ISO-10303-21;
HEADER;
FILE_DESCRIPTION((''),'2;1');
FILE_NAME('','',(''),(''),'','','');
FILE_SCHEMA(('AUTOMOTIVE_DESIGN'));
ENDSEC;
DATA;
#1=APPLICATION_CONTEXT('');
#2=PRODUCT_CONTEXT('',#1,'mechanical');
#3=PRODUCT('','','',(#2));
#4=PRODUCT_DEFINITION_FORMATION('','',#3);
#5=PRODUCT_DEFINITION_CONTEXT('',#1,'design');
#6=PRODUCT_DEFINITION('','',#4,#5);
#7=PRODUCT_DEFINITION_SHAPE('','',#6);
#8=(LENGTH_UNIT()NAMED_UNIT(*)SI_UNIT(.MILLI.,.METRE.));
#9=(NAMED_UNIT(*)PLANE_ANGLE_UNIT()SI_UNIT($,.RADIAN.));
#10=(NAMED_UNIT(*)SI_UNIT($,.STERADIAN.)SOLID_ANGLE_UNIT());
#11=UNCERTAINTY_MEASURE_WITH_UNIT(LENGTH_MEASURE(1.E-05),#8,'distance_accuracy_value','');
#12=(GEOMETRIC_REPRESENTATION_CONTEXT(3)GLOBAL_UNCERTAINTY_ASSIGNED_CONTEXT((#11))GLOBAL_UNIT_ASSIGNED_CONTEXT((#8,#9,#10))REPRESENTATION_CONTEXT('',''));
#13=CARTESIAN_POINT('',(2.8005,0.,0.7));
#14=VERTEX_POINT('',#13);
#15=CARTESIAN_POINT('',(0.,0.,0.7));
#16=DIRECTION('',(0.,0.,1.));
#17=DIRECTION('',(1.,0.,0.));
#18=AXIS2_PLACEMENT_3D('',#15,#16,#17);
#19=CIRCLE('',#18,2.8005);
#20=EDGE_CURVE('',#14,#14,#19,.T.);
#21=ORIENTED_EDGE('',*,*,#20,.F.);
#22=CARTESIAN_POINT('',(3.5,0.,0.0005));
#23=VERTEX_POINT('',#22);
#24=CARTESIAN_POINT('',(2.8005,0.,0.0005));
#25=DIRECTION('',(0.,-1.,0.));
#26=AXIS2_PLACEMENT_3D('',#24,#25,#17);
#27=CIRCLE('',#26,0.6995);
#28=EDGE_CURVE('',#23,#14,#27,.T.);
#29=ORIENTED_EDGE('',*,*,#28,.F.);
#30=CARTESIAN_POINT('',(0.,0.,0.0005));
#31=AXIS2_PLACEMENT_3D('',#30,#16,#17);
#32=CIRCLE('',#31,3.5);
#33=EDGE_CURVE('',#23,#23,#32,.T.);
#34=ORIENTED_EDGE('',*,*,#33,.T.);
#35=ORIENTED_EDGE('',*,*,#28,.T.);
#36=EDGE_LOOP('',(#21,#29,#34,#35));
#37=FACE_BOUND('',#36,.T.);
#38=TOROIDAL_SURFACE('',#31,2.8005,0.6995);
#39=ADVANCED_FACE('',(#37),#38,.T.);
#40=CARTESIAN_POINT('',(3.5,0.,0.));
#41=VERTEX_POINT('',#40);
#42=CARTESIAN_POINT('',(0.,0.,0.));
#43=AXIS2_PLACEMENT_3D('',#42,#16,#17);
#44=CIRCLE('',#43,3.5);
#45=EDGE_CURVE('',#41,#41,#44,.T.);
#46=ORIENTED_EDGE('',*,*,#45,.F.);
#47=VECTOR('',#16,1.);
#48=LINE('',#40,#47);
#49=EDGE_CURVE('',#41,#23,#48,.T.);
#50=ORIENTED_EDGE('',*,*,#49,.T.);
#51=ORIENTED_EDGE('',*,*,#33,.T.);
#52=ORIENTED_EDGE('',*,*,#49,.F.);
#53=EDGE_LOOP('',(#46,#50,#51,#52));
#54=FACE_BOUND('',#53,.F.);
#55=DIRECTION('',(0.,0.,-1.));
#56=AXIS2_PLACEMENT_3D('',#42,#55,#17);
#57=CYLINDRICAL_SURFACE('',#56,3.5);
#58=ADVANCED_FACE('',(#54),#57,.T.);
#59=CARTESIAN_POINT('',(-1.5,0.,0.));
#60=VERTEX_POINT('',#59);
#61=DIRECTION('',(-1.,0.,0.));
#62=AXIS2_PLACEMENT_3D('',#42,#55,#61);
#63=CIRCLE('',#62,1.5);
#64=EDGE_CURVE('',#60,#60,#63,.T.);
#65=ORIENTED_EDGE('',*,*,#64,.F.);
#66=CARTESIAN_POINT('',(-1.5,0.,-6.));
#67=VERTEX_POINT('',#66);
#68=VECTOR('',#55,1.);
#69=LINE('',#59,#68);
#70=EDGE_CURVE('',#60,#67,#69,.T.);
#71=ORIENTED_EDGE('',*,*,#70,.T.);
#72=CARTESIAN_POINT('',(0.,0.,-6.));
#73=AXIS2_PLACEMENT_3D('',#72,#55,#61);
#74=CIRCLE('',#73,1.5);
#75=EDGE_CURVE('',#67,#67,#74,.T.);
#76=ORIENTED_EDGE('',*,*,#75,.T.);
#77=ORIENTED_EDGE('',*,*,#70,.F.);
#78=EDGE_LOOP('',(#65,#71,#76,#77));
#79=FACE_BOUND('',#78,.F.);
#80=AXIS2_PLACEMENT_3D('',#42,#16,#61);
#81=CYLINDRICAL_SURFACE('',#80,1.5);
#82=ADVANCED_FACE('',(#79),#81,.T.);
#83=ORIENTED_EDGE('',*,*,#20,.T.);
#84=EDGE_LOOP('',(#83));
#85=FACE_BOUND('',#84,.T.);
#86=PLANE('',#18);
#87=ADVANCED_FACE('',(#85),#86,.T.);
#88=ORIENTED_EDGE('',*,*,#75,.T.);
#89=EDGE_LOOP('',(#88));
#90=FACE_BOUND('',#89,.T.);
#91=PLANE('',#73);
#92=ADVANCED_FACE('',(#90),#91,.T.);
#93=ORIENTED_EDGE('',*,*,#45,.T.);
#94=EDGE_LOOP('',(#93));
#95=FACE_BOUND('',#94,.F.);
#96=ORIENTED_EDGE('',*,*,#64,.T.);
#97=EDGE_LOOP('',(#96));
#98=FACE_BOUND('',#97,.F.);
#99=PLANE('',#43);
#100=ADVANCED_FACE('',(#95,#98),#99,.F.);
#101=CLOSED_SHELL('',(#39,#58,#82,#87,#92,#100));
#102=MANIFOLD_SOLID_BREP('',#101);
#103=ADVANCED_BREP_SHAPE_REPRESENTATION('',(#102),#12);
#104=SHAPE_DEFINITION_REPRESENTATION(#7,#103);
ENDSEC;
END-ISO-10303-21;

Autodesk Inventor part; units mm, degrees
ref_plane "YZ Plane" through (0, 0, 0) normal (1, 0, 0) x (0, 1, 0)
ref_plane "XZ Plane" through (0, 0, 0) normal (0, 1, 0) x (-1, 0, 0)
ref_plane "XY Plane" through (0, 0, 0) normal (0, 0, 1) x (1, 0, 0)
sketch "スケッチ1" plane through (0, 0, 0) normal (0, 0, 1) x (1, 0, 0)
  circle A0 centre (0, 0) radius 3.5
  dimension "d0" = 7
extrude "押し出し1" add sketch "スケッチ1" along normal blind 0.7
sketch "スケッチ2" plane through (0, 0, 0) normal (0, 0, -1) x (-1, 0, 0)
  circle A0 centre (0, 0) radius 1.5
  dimension "d3" = 3
extrude "押し出し2" add sketch "スケッチ2" along normal blind 6
thread "ねじ1" size "M3x0.5" class "6g" standard "ANSI Metric M Profile" full length
fillet "フィレット1" radius 0.7 1 edges at (-3.5, 0, 0.7)
properties part number "ネジ低頭m3.06" material "鋼、高強度、低合金"
